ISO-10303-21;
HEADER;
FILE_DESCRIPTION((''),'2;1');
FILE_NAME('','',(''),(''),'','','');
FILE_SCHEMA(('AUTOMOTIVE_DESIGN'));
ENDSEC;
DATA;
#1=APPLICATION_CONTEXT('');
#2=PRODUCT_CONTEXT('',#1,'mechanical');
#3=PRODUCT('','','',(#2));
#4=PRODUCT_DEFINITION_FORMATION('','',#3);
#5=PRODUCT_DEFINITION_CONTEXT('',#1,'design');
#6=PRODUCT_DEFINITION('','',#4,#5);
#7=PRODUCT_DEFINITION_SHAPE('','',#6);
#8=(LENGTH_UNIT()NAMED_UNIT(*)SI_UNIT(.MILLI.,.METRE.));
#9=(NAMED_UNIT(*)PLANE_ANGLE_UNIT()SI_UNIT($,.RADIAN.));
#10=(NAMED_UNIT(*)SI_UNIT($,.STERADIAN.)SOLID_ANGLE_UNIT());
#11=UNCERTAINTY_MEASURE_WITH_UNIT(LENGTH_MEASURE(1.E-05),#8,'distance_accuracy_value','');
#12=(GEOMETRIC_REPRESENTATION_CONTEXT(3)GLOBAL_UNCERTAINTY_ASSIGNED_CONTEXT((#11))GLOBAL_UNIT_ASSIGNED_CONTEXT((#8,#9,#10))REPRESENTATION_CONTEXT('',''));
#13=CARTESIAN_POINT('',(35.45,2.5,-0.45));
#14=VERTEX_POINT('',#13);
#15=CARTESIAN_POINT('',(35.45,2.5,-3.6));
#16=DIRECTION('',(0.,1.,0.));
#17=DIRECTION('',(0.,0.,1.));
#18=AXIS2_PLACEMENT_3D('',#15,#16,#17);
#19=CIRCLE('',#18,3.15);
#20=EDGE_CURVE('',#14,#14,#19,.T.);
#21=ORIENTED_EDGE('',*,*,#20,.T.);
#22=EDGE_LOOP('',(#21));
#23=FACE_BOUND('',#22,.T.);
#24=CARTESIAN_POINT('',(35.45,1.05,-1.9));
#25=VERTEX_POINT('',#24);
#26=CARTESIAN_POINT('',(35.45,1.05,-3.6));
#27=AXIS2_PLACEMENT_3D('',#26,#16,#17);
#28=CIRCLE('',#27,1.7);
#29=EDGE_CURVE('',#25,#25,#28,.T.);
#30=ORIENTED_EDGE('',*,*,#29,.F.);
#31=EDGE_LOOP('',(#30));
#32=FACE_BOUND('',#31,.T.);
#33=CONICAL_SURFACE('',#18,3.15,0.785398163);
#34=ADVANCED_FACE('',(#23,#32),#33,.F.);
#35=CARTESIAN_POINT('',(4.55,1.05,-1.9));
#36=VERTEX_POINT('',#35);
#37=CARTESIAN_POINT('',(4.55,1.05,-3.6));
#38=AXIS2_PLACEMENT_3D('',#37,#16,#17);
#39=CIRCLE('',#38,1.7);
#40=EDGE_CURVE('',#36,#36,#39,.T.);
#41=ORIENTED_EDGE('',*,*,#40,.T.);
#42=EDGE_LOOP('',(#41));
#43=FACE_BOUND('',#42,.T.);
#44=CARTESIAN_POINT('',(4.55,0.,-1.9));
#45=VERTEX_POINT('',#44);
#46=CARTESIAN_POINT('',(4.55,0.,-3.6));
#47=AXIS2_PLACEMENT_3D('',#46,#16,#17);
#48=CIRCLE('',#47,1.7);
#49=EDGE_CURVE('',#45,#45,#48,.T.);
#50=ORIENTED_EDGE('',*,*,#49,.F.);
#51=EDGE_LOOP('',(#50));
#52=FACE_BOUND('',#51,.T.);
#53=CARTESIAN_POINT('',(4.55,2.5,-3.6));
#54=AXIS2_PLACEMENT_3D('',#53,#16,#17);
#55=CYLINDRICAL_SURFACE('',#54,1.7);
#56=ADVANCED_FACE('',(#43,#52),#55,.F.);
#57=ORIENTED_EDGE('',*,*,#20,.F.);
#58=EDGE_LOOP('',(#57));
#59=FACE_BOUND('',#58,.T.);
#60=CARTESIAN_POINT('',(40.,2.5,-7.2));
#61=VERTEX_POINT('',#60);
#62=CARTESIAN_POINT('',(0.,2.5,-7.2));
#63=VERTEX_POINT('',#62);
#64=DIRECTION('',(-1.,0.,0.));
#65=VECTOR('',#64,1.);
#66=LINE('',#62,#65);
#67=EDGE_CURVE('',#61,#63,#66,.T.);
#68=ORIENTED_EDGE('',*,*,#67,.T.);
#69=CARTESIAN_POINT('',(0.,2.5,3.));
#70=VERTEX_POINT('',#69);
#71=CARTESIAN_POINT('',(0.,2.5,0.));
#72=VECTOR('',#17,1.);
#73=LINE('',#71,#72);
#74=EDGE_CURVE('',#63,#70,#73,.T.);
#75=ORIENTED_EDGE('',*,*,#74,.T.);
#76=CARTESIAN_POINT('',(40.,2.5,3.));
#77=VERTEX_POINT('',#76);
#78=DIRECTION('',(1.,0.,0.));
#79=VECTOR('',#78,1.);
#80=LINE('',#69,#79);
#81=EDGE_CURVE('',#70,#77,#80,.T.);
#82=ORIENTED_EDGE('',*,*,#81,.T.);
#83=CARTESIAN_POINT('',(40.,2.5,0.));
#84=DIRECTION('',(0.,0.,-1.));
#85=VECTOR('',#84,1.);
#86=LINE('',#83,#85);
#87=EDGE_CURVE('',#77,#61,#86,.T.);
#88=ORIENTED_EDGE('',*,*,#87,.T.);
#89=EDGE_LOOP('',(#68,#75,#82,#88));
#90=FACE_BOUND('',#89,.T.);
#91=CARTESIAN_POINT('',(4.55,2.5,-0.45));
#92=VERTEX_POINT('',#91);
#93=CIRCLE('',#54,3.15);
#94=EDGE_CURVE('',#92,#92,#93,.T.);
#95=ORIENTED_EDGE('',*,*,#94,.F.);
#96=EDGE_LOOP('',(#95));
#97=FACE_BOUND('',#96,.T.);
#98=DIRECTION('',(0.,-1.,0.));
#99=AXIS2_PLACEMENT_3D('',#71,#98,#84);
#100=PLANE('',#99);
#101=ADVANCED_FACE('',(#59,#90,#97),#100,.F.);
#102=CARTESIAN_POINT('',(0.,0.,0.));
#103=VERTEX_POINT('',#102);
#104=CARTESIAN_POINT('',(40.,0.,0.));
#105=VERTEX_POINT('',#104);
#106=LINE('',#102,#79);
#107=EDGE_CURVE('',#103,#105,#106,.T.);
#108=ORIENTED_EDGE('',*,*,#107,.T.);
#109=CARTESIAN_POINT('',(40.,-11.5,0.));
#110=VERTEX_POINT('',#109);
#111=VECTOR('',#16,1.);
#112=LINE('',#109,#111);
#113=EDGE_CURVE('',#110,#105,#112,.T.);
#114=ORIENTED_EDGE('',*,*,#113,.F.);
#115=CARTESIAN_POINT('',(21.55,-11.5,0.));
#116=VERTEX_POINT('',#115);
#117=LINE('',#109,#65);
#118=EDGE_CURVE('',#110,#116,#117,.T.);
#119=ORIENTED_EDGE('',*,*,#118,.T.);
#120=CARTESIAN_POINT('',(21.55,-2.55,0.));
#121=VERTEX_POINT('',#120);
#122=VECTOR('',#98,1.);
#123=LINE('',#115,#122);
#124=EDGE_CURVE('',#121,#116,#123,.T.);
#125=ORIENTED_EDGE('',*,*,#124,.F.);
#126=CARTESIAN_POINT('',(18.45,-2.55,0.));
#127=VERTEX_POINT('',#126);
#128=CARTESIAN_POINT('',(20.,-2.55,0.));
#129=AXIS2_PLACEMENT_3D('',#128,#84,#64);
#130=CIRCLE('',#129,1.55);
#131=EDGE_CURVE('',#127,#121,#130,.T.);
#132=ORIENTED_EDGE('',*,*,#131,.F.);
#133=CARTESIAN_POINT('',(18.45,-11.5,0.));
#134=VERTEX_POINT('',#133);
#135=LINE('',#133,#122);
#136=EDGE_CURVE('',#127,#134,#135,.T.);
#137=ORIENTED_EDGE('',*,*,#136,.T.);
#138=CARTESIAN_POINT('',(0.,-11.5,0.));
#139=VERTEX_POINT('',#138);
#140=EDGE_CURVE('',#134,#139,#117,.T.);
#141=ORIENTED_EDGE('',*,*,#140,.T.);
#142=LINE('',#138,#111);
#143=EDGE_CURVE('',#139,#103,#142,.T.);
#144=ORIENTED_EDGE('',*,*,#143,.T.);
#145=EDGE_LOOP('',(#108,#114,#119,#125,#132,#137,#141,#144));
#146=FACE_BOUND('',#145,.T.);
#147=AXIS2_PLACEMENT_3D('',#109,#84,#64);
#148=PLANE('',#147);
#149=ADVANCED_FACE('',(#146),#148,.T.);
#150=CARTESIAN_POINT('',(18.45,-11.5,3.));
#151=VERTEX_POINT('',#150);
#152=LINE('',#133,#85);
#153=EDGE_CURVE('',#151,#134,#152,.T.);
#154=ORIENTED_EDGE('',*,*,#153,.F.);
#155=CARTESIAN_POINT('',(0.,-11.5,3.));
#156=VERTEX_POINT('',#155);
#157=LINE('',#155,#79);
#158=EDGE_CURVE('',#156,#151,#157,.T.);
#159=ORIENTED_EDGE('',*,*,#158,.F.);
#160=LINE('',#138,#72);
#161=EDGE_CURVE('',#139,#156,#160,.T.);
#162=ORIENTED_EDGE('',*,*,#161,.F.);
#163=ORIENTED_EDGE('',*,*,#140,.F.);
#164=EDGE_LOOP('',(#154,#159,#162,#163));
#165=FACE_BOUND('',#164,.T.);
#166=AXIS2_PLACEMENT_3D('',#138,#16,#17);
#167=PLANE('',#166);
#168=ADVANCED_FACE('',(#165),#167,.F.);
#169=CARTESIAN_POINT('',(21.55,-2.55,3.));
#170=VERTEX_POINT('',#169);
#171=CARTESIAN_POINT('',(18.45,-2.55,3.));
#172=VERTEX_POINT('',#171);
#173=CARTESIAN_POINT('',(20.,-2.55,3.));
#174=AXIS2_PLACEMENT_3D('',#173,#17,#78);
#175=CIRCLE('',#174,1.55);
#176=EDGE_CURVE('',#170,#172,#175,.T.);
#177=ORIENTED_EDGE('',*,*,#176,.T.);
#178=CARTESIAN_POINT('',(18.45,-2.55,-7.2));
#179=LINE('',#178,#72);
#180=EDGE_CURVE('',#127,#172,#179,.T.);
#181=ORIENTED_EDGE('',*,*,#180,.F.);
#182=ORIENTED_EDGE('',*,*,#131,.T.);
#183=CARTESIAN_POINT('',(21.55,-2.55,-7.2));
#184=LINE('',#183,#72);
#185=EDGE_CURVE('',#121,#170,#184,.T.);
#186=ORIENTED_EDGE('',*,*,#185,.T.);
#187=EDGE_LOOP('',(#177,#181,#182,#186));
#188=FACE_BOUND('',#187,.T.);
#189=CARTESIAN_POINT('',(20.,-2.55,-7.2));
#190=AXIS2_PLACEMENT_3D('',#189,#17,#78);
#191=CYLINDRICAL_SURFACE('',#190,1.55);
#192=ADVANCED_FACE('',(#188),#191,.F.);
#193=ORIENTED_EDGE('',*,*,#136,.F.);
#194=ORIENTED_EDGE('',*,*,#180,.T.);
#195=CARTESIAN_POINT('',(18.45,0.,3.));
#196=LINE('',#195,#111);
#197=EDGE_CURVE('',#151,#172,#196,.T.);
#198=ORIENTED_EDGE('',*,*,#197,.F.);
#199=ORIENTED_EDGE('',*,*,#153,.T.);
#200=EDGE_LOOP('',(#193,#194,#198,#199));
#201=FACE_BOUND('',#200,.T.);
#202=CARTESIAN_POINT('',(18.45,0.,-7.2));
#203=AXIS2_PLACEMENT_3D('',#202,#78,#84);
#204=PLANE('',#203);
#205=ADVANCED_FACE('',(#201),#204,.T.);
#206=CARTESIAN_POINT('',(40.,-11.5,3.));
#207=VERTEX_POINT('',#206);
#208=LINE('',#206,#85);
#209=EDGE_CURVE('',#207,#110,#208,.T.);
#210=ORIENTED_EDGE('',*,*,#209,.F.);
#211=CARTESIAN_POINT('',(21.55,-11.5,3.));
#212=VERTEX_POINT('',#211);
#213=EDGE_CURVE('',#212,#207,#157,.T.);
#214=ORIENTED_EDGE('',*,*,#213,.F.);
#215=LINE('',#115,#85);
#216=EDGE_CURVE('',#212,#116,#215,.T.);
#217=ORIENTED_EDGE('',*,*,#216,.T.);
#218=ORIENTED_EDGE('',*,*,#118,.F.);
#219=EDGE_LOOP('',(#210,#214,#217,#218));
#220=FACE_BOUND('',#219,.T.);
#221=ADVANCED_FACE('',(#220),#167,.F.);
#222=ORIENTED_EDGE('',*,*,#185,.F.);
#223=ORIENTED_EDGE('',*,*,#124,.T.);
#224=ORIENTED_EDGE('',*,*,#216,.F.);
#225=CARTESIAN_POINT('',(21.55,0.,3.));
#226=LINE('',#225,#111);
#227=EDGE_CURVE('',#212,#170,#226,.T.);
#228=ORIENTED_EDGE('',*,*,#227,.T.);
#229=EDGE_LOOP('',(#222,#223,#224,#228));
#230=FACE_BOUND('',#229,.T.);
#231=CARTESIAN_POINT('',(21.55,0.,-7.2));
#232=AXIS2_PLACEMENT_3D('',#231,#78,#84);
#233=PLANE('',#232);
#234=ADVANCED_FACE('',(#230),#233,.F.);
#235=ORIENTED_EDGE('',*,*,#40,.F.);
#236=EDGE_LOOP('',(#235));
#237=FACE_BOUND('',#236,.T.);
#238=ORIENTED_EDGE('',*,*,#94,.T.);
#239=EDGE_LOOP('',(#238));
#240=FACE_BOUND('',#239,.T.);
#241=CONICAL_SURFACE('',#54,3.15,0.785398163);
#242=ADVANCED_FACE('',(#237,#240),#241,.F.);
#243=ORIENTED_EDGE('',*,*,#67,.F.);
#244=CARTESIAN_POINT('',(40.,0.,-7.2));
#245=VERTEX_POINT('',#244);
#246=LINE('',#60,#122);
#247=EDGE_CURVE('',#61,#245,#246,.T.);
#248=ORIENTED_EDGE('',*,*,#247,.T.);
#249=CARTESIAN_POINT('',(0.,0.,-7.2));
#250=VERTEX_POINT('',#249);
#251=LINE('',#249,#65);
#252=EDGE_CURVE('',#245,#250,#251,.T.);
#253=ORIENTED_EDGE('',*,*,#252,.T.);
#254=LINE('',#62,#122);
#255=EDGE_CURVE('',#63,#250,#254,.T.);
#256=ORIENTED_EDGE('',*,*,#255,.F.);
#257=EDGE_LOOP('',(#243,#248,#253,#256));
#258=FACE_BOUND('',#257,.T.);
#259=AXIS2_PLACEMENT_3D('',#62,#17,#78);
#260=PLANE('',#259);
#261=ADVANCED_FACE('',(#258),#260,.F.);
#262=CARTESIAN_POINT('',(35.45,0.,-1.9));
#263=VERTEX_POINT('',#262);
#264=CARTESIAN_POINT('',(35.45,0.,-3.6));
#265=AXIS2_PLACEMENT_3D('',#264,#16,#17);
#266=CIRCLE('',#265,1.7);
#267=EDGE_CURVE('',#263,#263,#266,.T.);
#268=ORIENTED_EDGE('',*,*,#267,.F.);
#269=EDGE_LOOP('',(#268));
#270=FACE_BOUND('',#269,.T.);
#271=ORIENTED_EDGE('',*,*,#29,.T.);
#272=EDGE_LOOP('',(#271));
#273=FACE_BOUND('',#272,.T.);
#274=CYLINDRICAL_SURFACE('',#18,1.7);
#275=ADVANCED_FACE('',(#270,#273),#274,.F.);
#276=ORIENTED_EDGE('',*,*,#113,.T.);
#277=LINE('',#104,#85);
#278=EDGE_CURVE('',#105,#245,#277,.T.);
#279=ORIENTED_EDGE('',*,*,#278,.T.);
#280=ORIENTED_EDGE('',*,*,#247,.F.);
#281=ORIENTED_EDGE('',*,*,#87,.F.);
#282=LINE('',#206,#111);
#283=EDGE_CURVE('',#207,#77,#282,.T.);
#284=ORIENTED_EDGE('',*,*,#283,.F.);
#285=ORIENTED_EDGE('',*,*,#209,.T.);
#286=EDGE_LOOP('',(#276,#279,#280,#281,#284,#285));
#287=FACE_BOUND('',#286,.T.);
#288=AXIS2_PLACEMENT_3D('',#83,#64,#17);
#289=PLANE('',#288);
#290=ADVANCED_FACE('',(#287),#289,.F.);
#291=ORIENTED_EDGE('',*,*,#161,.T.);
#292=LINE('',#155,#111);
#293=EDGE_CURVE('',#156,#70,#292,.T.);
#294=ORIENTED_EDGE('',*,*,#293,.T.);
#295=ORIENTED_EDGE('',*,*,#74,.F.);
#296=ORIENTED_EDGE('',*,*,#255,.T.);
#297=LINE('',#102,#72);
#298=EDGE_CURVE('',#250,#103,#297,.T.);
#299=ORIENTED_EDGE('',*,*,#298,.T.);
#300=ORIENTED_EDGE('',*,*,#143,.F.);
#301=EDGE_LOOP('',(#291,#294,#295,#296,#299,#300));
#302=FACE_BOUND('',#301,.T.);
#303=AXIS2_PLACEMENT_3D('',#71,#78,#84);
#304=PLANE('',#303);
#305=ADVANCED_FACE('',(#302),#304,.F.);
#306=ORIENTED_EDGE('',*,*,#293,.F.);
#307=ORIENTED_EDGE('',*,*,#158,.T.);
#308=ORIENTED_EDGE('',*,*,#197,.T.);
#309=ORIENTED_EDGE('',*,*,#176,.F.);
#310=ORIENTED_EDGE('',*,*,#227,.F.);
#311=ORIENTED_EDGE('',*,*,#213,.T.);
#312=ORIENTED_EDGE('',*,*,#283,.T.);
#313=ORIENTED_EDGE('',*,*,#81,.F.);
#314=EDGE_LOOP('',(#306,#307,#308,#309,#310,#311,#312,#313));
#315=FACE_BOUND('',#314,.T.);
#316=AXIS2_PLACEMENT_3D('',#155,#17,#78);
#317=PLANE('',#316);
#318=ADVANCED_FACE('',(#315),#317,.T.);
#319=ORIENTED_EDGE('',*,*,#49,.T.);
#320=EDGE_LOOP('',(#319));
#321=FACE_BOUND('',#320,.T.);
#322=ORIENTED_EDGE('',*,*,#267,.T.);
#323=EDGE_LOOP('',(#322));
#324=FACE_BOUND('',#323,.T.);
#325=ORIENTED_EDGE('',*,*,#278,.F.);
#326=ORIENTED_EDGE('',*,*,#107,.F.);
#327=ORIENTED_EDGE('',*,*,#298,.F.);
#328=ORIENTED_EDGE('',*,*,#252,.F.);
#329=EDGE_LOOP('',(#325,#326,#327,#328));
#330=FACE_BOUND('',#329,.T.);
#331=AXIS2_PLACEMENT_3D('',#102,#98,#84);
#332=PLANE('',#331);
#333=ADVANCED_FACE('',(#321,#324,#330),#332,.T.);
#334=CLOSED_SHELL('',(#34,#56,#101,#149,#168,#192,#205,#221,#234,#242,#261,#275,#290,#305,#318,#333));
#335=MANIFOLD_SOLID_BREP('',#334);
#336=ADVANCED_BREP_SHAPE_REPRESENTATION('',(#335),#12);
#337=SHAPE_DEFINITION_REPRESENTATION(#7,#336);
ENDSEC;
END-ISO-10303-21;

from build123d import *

# Parameters (mm, degrees)
SKETCH1_W                                      = 40
SKETCH1_H                                      = 7.2
BOSS_EXTRUDE1_DEPTH                            = 2.5
CSK_FOR_M3_FLAT_HEAD_MACHINE_SCREW1_AT_2_COUNT = 2
CSK_FOR_M3_FLAT_HEAD_MACHINE_SCREW1_AT_2_PITCH = 30.9
SKETCH4_W                                      = 40
SKETCH4_H                                      = 3
BOSS_EXTRUDE2_DEPTH                            = 14
CUT_EXTRUDE1_DEPTH                             = 43.851954448


with BuildPart() as part:
    # Sketch1 → Boss-Extrude1 (new body)
    with BuildSketch(Plane(origin=(0, 0, 0), x_dir=(1, 0, 0), z_dir=(0, 1, 0))):
        with Locations((20, 3.6)):
            Rectangle(SKETCH1_W, SKETCH1_H)
    extrude(amount=BOSS_EXTRUDE1_DEPTH)

    # Sketch3 → CSK for M3 Flat Head Machine Screw1 (revolve, cut)
    with BuildSketch(Plane(origin=(35.45, 2.5, -3.6), x_dir=(0, 0, 1), z_dir=(1, 0, 0))):
        Polygon((0, 0), (0, 2.5), (1.7, 2.5), (1.7, 1.45), (3.15, 0), align=None)
    csk_for_m3_flat_head_machine_screw1 = revolve(axis=Axis((35.45, 8.85, -3.6), (0, -1, 0)), mode=Mode.SUBTRACT)

    # CSK for M3 Flat Head Machine Screw1 at 2: CSK for M3 Flat Head Machine Screw1 ×2
    with Locations(*[(-i * CSK_FOR_M3_FLAT_HEAD_MACHINE_SCREW1_AT_2_PITCH, 0, 0) for i in range(1, CSK_FOR_M3_FLAT_HEAD_MACHINE_SCREW1_AT_2_COUNT)]):
        add(csk_for_m3_flat_head_machine_screw1, mode=Mode.SUBTRACT)

    # Sketch4 → Boss-Extrude2 (add)
    with BuildSketch(Plane(origin=(0, 2.5, 0), x_dir=(1, 0, 0), z_dir=(0, 1, 0))):
        with Locations((20, -1.5)):
            Rectangle(SKETCH4_W, SKETCH4_H)
    extrude(amount=-BOSS_EXTRUDE2_DEPTH)

    # Sketch5 → Cut-Extrude1 (cut, through all)
    with BuildSketch(Plane.XY.offset(3)):
        with BuildLine():
            Line((18.45, -2.55), (18.45, -11.5))
            Line((18.45, -11.5), (21.55, -11.5))
            Line((21.55, -11.5), (21.55, -2.55))
            ThreePointArc((21.55, -2.55), (20, -1), (18.45, -2.55))
        make_face()
        with BuildLine():
            Line((21.55, -11.5), (18.45, -11.5))
            ThreePointArc((18.45, -11.5), (20, -13.05), (21.55, -11.5))
        make_face()
    extrude(amount=-CUT_EXTRUDE1_DEPTH, mode=Mode.SUBTRACT)


solid = part.part
